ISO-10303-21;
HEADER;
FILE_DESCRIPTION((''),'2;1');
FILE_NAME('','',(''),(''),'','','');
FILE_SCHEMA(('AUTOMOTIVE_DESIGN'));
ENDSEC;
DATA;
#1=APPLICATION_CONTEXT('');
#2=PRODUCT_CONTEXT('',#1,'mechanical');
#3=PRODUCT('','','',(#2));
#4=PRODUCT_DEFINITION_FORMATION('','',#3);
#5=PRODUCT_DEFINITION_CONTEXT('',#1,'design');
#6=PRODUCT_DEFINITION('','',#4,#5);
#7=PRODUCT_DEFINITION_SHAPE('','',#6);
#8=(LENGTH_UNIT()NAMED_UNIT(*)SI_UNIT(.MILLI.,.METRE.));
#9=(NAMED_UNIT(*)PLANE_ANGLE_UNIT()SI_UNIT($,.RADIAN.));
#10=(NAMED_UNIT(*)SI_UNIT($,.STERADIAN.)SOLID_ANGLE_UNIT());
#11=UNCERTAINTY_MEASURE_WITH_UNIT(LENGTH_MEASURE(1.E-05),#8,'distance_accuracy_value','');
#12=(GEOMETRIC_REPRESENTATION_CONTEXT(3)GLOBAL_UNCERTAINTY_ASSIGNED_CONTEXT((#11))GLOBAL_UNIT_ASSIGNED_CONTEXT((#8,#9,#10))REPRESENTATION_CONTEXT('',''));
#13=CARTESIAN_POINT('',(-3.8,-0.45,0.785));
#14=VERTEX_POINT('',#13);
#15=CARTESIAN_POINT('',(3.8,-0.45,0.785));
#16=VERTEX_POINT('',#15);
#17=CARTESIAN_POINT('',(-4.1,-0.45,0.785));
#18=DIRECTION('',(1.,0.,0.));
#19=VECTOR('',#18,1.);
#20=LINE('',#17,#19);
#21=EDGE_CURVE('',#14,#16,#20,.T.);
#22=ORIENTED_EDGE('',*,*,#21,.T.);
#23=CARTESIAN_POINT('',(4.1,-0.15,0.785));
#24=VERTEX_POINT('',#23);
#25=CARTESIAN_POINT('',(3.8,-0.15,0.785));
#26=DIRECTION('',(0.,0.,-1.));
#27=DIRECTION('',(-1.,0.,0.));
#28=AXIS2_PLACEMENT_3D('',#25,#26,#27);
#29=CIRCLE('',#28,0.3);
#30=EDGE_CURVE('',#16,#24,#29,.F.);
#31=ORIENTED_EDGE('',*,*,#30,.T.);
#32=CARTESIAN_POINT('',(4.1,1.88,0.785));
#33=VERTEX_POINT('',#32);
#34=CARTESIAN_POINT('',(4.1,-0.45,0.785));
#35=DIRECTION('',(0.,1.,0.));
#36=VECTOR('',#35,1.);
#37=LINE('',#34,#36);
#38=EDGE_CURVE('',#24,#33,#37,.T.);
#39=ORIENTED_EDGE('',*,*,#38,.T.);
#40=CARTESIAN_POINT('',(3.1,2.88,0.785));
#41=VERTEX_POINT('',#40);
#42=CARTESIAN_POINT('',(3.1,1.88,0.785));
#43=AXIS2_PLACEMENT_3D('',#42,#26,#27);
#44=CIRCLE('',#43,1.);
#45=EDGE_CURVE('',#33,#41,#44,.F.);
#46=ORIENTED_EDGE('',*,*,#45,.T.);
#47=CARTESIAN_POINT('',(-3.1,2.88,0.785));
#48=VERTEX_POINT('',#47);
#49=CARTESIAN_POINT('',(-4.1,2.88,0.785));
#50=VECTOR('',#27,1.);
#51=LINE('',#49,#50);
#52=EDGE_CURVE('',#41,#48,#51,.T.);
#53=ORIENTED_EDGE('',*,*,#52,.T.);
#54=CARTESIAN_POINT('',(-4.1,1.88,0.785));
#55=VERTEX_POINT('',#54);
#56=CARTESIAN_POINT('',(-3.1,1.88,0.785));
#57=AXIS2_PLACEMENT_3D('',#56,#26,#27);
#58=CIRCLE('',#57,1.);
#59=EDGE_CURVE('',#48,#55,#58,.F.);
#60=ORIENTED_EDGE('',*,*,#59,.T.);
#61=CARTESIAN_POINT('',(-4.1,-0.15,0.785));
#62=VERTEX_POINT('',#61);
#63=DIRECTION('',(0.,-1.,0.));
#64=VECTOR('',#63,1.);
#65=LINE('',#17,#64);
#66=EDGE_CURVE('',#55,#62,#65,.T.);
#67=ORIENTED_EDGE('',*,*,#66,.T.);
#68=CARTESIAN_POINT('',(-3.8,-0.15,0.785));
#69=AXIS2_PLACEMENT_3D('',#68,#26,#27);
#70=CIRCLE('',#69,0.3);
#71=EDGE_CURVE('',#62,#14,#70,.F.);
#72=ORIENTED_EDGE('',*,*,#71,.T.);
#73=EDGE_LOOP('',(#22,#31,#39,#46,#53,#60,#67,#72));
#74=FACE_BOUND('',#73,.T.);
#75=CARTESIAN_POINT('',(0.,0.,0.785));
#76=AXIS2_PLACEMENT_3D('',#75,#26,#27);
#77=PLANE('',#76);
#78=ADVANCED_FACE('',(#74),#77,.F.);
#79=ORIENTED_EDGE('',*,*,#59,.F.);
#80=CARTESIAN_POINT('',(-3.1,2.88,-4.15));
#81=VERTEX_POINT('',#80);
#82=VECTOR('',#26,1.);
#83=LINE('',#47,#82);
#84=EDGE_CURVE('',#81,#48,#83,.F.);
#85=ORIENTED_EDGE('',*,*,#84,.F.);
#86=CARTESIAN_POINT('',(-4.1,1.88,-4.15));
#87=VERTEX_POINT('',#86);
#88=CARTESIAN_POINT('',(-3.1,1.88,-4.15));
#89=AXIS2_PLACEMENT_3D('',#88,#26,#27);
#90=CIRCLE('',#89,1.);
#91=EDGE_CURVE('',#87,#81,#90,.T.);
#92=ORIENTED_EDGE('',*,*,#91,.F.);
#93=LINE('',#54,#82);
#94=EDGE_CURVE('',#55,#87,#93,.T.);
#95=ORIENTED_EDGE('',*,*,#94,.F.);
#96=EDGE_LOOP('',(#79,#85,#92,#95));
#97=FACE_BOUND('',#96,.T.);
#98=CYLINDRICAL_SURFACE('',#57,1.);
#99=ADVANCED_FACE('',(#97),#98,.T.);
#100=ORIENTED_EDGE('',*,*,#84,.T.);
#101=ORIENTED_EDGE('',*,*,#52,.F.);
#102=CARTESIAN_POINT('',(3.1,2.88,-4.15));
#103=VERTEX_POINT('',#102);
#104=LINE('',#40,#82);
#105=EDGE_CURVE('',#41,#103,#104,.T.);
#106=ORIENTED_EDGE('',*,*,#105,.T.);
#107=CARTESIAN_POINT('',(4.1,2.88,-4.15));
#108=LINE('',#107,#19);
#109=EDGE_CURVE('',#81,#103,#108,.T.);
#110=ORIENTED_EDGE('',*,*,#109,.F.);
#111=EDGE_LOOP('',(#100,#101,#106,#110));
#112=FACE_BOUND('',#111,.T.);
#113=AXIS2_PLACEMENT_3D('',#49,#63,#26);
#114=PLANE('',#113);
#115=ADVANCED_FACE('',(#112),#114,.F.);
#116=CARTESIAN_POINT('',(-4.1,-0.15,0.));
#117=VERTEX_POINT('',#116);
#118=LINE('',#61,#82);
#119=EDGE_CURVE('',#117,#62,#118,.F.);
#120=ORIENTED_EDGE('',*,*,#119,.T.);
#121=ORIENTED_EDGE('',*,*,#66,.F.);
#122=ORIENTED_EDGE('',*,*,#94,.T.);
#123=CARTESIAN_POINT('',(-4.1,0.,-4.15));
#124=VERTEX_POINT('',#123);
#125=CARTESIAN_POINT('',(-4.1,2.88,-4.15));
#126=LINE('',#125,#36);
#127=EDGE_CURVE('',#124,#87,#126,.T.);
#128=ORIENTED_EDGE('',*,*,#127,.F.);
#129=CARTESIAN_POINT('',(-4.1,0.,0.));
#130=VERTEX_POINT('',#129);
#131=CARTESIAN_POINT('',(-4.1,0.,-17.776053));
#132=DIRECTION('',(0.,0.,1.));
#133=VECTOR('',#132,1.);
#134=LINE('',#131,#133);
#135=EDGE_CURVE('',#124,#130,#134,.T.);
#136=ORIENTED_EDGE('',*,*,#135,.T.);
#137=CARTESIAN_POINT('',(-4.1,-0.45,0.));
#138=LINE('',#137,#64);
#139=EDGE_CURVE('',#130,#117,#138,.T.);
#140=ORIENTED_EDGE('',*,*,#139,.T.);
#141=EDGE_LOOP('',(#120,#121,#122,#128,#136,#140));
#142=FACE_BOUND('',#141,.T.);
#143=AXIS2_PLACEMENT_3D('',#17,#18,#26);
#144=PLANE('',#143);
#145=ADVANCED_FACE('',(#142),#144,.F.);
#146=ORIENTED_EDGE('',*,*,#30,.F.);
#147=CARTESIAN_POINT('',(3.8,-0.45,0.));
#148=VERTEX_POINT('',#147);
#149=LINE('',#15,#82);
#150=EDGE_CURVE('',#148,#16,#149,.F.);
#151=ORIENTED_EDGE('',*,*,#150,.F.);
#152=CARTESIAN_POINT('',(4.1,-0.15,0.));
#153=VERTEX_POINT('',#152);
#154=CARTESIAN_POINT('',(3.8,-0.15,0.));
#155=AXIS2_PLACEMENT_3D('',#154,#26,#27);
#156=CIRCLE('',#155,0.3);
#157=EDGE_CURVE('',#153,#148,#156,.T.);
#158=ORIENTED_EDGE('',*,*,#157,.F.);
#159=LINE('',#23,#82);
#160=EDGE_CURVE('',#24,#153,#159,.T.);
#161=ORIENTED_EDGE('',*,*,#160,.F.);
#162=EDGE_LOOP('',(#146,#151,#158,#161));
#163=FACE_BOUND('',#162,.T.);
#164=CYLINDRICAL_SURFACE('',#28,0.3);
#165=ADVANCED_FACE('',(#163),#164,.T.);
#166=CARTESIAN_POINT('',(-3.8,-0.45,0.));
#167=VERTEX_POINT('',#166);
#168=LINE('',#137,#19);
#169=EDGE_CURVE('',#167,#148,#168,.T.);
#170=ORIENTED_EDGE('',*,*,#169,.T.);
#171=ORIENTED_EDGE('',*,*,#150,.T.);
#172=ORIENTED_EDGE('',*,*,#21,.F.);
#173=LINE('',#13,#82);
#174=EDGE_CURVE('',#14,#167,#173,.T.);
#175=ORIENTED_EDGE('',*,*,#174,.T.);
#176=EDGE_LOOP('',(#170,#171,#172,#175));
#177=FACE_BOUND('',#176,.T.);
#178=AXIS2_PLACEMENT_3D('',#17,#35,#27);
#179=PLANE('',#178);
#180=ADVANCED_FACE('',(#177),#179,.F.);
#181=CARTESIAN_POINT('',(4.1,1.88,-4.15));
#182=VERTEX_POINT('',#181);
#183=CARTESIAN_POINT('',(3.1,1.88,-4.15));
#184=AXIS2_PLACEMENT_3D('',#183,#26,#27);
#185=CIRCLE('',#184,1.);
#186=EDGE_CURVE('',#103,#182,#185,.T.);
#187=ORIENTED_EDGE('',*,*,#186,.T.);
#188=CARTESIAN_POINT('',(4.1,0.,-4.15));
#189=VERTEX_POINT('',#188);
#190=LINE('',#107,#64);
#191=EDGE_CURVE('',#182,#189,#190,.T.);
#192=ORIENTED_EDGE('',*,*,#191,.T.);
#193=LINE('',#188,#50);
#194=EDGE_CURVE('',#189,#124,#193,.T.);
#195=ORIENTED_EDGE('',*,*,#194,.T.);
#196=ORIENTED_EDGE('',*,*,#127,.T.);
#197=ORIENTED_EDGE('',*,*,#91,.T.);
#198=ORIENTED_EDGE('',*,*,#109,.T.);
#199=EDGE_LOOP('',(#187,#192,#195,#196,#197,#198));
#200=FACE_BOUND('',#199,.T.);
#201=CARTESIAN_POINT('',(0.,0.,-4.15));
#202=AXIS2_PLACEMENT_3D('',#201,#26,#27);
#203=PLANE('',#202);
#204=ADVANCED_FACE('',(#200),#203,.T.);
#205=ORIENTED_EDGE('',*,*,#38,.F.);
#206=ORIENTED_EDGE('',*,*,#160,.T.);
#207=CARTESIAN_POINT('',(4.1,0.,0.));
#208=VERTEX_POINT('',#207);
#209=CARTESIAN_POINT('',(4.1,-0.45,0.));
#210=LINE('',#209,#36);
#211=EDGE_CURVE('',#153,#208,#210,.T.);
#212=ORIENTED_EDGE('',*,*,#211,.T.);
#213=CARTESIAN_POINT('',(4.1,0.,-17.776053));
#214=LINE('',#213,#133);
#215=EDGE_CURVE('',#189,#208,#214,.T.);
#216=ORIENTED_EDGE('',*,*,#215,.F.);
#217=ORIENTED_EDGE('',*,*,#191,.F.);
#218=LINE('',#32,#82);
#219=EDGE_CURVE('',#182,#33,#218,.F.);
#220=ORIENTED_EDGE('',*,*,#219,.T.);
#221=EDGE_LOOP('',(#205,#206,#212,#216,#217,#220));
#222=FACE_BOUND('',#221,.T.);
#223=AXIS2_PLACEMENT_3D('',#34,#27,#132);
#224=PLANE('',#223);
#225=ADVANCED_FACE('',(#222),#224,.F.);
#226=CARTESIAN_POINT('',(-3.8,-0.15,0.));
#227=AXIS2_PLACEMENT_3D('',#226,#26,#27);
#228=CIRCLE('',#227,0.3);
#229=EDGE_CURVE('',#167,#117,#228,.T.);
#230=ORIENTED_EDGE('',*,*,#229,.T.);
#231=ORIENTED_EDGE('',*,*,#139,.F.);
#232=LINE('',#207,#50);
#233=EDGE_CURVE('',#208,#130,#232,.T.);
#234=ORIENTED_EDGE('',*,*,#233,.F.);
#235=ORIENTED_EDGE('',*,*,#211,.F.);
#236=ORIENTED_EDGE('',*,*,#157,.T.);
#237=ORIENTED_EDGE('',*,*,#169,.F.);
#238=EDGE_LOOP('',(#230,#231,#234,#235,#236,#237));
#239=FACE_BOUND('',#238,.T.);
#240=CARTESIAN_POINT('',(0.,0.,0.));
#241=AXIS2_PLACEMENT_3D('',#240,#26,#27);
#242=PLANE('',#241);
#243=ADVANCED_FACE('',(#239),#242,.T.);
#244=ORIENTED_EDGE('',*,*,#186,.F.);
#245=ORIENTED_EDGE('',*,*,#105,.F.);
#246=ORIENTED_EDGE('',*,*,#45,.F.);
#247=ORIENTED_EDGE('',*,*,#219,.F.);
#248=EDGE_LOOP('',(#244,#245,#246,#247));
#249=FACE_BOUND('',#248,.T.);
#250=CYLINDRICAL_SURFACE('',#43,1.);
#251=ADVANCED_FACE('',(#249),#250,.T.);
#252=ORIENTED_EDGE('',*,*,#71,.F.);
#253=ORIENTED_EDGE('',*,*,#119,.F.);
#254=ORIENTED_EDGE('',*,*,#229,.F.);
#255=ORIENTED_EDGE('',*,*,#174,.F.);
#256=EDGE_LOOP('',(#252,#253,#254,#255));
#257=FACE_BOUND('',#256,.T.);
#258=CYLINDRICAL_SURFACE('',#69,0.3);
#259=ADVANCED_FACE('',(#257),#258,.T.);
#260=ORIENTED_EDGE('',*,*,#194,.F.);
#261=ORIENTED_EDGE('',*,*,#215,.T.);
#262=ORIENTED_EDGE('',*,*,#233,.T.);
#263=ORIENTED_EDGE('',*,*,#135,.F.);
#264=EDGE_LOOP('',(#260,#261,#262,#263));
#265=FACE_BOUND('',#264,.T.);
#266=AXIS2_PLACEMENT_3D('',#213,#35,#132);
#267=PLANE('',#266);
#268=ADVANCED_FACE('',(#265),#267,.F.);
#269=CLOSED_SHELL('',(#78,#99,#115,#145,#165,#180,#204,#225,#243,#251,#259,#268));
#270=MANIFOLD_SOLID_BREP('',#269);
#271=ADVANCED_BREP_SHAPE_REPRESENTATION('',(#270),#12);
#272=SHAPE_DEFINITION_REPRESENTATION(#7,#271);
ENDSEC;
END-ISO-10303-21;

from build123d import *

# Parameters (mm, degrees)
SKETCH1_W           = 8.2
SKETCH1_H           = 3.33
BOSS_EXTRUDE1_DEPTH = 0.785
SKETCH2_W           = 8.2
SKETCH2_H           = 2.88
BOSS_EXTRUDE2_DEPTH = 4.15
FILLET1_R           = 1
FILLET2_R           = 0.3


with BuildPart() as part:
    # Sketch1 → Boss-Extrude1 (new body)
    with BuildSketch(Plane.XY):
        with Locations((0, 1.215)):
            Rectangle(SKETCH1_W, SKETCH1_H)
    extrude(amount=BOSS_EXTRUDE1_DEPTH)

    # Sketch2 → Boss-Extrude2 (add)
    with BuildSketch(Plane(origin=(0, 0, 0), x_dir=(-1, 0, 0), z_dir=(0, 0, -1))):
        with Locations((0, 1.44)):
            Rectangle(SKETCH2_W, SKETCH2_H)
    extrude(amount=BOSS_EXTRUDE2_DEPTH)

    # Fillet1
    fillet1_edges = [part.edges().sort_by_distance(p)[0] for p in [
        (-4.1, 2.88, -1.6825),
        (4.1, 2.88, -1.6825),
    ]]
    fillet(fillet1_edges, radius=FILLET1_R)

    # Fillet2
    fillet2_edges = [part.edges().sort_by_distance(p)[0] for p in [
        (4.1, -0.45, 0.3925),
        (-4.1, -0.45, 0.3925),
    ]]
    fillet(fillet2_edges, radius=FILLET2_R)


solid = part.part
